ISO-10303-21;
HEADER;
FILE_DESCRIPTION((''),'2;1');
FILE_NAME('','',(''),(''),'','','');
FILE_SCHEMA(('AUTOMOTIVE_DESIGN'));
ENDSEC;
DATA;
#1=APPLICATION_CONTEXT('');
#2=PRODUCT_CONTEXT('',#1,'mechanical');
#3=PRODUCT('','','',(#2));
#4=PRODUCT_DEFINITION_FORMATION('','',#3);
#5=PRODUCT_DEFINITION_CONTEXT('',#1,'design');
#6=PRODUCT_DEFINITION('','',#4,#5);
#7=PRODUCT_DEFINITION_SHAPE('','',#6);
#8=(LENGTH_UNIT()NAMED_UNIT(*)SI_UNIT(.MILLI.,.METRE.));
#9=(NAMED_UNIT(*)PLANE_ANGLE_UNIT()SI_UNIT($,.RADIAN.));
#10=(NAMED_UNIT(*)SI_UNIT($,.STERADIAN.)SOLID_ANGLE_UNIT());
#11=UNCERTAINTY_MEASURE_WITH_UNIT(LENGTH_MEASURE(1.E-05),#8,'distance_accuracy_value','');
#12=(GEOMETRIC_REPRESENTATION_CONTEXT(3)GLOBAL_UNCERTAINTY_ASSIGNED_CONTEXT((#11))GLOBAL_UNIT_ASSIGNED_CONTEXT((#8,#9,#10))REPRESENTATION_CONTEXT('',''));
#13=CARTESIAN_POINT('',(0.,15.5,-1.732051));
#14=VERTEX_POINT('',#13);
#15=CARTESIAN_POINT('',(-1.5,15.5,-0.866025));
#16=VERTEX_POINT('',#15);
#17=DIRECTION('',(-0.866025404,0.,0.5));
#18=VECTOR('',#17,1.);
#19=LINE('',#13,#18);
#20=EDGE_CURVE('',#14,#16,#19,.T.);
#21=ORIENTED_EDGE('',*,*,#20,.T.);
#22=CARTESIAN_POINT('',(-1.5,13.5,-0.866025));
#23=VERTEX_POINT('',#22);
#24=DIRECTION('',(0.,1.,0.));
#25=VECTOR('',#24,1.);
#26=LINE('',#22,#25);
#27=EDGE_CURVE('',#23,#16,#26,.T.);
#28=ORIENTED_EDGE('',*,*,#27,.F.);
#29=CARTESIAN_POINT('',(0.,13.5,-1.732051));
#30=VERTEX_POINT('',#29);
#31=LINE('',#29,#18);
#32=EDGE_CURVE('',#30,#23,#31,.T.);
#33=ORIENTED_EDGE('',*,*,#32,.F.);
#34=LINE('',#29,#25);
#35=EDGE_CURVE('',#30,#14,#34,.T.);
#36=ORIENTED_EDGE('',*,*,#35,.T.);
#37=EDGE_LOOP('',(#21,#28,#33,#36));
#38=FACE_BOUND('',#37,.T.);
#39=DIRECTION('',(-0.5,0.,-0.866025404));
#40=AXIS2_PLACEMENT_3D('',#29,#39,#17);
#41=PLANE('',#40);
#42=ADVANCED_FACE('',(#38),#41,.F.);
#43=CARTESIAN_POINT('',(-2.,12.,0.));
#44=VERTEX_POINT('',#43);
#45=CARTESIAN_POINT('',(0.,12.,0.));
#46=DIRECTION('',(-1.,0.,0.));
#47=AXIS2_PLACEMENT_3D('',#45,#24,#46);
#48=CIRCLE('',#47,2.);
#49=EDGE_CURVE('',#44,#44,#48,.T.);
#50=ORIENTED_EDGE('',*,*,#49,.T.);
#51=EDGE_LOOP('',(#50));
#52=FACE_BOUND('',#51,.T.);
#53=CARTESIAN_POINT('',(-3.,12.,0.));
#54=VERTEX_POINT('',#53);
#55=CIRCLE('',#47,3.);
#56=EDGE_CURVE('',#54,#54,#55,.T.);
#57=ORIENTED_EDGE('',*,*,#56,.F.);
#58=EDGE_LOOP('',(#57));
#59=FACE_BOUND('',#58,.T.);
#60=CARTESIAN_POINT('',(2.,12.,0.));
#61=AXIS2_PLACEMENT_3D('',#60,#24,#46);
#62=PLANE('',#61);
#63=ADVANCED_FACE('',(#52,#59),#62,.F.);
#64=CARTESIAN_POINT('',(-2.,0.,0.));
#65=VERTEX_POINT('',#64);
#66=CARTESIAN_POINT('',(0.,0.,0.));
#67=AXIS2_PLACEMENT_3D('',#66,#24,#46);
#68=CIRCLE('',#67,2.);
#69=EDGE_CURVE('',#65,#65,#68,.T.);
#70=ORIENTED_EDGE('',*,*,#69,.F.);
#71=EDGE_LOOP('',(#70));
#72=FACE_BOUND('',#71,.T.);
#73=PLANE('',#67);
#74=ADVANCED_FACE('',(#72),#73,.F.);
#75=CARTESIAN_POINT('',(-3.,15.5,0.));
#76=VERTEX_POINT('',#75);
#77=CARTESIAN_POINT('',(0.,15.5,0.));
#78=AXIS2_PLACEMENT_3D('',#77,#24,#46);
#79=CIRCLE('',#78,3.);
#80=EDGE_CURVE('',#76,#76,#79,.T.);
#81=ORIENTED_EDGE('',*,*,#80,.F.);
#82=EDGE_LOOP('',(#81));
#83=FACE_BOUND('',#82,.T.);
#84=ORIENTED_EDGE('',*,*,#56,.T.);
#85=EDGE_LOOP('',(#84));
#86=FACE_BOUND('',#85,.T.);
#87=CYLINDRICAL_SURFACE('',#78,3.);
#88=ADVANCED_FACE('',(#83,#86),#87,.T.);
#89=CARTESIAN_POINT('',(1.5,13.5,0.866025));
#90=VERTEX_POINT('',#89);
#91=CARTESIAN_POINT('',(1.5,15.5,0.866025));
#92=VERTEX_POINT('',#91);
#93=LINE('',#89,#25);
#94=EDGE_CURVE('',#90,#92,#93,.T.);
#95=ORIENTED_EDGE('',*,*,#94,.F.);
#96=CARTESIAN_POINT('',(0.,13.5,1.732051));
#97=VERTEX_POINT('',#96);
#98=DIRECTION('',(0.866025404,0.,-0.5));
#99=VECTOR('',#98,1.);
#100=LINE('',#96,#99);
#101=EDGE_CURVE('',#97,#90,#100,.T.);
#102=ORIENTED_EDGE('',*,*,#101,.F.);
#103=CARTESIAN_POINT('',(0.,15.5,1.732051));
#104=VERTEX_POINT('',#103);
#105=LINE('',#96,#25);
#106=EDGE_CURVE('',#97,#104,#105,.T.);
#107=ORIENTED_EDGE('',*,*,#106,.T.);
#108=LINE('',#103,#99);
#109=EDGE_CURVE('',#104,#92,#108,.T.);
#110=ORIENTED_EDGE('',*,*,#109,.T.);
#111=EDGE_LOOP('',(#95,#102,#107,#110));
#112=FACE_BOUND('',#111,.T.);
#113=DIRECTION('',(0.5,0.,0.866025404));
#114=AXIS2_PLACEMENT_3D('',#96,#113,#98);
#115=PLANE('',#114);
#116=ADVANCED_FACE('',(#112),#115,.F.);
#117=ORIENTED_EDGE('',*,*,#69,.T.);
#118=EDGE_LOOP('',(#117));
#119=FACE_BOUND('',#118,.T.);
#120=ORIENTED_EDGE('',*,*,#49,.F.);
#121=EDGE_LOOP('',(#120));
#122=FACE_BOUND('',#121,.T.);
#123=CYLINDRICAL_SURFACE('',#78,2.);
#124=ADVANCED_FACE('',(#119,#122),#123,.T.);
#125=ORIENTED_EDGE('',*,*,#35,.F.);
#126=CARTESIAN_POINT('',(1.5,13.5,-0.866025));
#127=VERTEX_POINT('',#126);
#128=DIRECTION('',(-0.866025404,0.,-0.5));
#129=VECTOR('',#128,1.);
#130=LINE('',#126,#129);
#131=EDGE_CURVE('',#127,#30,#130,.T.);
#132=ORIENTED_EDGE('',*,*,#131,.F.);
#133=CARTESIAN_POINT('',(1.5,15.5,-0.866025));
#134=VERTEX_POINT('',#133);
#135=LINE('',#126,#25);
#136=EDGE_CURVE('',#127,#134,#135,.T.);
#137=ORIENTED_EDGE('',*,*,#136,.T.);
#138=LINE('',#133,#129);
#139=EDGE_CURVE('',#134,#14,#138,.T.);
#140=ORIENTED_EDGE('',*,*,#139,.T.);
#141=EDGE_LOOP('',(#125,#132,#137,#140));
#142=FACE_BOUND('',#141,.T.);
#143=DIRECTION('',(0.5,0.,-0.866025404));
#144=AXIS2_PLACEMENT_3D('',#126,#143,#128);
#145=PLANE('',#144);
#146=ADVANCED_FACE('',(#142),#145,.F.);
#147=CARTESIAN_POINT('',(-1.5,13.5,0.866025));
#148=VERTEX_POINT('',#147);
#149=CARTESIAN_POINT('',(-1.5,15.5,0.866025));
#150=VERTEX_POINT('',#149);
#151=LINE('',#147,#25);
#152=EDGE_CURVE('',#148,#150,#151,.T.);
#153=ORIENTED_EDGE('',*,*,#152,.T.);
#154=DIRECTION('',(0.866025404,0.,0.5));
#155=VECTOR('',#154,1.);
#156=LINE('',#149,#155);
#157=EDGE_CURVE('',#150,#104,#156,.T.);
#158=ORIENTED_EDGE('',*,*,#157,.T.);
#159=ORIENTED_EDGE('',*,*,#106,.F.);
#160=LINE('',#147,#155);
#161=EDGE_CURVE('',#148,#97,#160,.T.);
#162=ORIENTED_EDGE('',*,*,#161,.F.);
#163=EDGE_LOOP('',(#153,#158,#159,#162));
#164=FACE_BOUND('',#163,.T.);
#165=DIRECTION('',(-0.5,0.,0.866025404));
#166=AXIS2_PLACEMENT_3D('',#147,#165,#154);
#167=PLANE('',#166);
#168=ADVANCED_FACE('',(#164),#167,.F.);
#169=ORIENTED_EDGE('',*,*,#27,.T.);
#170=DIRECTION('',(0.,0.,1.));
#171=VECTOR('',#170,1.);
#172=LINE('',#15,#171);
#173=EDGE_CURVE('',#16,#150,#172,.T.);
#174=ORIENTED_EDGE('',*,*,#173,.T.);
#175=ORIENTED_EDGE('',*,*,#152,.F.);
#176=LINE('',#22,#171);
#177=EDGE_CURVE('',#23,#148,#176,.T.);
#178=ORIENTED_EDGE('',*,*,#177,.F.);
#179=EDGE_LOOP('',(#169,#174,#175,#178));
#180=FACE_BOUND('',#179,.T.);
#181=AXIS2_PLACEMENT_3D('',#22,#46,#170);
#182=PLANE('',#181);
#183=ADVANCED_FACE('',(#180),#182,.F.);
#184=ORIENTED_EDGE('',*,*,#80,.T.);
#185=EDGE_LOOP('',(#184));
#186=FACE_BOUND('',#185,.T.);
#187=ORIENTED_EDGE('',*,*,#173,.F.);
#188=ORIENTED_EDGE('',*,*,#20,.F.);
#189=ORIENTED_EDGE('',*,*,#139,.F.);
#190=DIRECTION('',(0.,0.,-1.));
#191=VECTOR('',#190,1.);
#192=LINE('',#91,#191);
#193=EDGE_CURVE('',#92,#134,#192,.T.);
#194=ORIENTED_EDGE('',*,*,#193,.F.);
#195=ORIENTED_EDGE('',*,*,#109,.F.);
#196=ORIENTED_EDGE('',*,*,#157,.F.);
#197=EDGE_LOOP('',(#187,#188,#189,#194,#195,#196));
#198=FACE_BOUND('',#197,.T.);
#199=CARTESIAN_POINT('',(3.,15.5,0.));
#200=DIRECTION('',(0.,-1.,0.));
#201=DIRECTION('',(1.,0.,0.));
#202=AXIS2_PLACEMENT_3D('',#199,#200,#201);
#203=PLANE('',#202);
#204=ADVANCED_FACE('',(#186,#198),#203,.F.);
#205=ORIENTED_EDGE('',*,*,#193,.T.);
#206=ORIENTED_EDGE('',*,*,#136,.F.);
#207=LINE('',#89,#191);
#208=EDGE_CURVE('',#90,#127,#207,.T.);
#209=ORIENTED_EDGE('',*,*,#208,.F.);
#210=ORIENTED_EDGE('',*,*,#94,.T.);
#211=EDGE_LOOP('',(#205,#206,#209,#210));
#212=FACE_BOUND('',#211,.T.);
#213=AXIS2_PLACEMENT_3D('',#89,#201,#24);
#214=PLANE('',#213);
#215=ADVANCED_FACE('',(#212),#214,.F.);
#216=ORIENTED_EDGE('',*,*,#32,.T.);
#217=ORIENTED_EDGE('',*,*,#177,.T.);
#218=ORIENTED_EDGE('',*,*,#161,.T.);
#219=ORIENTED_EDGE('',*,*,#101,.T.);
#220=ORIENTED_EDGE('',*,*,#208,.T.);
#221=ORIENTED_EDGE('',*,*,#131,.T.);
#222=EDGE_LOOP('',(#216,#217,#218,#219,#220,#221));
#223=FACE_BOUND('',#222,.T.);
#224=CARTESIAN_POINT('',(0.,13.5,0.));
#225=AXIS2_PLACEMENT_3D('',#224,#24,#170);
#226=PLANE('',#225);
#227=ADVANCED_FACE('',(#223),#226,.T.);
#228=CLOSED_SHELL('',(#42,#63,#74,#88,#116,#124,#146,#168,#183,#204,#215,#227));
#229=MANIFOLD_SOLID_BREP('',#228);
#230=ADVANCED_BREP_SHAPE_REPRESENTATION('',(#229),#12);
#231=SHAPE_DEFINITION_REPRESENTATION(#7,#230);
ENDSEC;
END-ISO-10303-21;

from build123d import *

# Parameters (mm, degrees)
CUT_EXTRUDE1_DEPTH = 2


with BuildPart() as part:
    # Sketch1 → Revolve1 (revolve)
    with BuildSketch(Plane.XY, mode=Mode.PRIVATE) as revolve1_sk:
        Polygon((0, 15.5), (0, 0), (2, 0), (2, 12), (3, 12), (3, 15.5), align=None)
    revolve(revolve1_sk.sketch.rotate(Axis((0, 15.5, 0), (0, -1, 0)), 180), axis=Axis((0, 15.5, 0), (0, -1, 0)))

    # Sketch2 → Cut-Extrude1 (cut)
    with BuildSketch(Plane(origin=(0, 15.5, 0), x_dir=(1, 0, 0), z_dir=(0, 1, 0))):
        Polygon((0, -1.732050808), (1.5, -0.866025404), (1.5, 0.866025404), (0, 1.732050808), (-1.5, 0.866025404), (-1.5, -0.866025404), align=None)
    extrude(amount=-CUT_EXTRUDE1_DEPTH, mode=Mode.SUBTRACT)


solid = part.part
